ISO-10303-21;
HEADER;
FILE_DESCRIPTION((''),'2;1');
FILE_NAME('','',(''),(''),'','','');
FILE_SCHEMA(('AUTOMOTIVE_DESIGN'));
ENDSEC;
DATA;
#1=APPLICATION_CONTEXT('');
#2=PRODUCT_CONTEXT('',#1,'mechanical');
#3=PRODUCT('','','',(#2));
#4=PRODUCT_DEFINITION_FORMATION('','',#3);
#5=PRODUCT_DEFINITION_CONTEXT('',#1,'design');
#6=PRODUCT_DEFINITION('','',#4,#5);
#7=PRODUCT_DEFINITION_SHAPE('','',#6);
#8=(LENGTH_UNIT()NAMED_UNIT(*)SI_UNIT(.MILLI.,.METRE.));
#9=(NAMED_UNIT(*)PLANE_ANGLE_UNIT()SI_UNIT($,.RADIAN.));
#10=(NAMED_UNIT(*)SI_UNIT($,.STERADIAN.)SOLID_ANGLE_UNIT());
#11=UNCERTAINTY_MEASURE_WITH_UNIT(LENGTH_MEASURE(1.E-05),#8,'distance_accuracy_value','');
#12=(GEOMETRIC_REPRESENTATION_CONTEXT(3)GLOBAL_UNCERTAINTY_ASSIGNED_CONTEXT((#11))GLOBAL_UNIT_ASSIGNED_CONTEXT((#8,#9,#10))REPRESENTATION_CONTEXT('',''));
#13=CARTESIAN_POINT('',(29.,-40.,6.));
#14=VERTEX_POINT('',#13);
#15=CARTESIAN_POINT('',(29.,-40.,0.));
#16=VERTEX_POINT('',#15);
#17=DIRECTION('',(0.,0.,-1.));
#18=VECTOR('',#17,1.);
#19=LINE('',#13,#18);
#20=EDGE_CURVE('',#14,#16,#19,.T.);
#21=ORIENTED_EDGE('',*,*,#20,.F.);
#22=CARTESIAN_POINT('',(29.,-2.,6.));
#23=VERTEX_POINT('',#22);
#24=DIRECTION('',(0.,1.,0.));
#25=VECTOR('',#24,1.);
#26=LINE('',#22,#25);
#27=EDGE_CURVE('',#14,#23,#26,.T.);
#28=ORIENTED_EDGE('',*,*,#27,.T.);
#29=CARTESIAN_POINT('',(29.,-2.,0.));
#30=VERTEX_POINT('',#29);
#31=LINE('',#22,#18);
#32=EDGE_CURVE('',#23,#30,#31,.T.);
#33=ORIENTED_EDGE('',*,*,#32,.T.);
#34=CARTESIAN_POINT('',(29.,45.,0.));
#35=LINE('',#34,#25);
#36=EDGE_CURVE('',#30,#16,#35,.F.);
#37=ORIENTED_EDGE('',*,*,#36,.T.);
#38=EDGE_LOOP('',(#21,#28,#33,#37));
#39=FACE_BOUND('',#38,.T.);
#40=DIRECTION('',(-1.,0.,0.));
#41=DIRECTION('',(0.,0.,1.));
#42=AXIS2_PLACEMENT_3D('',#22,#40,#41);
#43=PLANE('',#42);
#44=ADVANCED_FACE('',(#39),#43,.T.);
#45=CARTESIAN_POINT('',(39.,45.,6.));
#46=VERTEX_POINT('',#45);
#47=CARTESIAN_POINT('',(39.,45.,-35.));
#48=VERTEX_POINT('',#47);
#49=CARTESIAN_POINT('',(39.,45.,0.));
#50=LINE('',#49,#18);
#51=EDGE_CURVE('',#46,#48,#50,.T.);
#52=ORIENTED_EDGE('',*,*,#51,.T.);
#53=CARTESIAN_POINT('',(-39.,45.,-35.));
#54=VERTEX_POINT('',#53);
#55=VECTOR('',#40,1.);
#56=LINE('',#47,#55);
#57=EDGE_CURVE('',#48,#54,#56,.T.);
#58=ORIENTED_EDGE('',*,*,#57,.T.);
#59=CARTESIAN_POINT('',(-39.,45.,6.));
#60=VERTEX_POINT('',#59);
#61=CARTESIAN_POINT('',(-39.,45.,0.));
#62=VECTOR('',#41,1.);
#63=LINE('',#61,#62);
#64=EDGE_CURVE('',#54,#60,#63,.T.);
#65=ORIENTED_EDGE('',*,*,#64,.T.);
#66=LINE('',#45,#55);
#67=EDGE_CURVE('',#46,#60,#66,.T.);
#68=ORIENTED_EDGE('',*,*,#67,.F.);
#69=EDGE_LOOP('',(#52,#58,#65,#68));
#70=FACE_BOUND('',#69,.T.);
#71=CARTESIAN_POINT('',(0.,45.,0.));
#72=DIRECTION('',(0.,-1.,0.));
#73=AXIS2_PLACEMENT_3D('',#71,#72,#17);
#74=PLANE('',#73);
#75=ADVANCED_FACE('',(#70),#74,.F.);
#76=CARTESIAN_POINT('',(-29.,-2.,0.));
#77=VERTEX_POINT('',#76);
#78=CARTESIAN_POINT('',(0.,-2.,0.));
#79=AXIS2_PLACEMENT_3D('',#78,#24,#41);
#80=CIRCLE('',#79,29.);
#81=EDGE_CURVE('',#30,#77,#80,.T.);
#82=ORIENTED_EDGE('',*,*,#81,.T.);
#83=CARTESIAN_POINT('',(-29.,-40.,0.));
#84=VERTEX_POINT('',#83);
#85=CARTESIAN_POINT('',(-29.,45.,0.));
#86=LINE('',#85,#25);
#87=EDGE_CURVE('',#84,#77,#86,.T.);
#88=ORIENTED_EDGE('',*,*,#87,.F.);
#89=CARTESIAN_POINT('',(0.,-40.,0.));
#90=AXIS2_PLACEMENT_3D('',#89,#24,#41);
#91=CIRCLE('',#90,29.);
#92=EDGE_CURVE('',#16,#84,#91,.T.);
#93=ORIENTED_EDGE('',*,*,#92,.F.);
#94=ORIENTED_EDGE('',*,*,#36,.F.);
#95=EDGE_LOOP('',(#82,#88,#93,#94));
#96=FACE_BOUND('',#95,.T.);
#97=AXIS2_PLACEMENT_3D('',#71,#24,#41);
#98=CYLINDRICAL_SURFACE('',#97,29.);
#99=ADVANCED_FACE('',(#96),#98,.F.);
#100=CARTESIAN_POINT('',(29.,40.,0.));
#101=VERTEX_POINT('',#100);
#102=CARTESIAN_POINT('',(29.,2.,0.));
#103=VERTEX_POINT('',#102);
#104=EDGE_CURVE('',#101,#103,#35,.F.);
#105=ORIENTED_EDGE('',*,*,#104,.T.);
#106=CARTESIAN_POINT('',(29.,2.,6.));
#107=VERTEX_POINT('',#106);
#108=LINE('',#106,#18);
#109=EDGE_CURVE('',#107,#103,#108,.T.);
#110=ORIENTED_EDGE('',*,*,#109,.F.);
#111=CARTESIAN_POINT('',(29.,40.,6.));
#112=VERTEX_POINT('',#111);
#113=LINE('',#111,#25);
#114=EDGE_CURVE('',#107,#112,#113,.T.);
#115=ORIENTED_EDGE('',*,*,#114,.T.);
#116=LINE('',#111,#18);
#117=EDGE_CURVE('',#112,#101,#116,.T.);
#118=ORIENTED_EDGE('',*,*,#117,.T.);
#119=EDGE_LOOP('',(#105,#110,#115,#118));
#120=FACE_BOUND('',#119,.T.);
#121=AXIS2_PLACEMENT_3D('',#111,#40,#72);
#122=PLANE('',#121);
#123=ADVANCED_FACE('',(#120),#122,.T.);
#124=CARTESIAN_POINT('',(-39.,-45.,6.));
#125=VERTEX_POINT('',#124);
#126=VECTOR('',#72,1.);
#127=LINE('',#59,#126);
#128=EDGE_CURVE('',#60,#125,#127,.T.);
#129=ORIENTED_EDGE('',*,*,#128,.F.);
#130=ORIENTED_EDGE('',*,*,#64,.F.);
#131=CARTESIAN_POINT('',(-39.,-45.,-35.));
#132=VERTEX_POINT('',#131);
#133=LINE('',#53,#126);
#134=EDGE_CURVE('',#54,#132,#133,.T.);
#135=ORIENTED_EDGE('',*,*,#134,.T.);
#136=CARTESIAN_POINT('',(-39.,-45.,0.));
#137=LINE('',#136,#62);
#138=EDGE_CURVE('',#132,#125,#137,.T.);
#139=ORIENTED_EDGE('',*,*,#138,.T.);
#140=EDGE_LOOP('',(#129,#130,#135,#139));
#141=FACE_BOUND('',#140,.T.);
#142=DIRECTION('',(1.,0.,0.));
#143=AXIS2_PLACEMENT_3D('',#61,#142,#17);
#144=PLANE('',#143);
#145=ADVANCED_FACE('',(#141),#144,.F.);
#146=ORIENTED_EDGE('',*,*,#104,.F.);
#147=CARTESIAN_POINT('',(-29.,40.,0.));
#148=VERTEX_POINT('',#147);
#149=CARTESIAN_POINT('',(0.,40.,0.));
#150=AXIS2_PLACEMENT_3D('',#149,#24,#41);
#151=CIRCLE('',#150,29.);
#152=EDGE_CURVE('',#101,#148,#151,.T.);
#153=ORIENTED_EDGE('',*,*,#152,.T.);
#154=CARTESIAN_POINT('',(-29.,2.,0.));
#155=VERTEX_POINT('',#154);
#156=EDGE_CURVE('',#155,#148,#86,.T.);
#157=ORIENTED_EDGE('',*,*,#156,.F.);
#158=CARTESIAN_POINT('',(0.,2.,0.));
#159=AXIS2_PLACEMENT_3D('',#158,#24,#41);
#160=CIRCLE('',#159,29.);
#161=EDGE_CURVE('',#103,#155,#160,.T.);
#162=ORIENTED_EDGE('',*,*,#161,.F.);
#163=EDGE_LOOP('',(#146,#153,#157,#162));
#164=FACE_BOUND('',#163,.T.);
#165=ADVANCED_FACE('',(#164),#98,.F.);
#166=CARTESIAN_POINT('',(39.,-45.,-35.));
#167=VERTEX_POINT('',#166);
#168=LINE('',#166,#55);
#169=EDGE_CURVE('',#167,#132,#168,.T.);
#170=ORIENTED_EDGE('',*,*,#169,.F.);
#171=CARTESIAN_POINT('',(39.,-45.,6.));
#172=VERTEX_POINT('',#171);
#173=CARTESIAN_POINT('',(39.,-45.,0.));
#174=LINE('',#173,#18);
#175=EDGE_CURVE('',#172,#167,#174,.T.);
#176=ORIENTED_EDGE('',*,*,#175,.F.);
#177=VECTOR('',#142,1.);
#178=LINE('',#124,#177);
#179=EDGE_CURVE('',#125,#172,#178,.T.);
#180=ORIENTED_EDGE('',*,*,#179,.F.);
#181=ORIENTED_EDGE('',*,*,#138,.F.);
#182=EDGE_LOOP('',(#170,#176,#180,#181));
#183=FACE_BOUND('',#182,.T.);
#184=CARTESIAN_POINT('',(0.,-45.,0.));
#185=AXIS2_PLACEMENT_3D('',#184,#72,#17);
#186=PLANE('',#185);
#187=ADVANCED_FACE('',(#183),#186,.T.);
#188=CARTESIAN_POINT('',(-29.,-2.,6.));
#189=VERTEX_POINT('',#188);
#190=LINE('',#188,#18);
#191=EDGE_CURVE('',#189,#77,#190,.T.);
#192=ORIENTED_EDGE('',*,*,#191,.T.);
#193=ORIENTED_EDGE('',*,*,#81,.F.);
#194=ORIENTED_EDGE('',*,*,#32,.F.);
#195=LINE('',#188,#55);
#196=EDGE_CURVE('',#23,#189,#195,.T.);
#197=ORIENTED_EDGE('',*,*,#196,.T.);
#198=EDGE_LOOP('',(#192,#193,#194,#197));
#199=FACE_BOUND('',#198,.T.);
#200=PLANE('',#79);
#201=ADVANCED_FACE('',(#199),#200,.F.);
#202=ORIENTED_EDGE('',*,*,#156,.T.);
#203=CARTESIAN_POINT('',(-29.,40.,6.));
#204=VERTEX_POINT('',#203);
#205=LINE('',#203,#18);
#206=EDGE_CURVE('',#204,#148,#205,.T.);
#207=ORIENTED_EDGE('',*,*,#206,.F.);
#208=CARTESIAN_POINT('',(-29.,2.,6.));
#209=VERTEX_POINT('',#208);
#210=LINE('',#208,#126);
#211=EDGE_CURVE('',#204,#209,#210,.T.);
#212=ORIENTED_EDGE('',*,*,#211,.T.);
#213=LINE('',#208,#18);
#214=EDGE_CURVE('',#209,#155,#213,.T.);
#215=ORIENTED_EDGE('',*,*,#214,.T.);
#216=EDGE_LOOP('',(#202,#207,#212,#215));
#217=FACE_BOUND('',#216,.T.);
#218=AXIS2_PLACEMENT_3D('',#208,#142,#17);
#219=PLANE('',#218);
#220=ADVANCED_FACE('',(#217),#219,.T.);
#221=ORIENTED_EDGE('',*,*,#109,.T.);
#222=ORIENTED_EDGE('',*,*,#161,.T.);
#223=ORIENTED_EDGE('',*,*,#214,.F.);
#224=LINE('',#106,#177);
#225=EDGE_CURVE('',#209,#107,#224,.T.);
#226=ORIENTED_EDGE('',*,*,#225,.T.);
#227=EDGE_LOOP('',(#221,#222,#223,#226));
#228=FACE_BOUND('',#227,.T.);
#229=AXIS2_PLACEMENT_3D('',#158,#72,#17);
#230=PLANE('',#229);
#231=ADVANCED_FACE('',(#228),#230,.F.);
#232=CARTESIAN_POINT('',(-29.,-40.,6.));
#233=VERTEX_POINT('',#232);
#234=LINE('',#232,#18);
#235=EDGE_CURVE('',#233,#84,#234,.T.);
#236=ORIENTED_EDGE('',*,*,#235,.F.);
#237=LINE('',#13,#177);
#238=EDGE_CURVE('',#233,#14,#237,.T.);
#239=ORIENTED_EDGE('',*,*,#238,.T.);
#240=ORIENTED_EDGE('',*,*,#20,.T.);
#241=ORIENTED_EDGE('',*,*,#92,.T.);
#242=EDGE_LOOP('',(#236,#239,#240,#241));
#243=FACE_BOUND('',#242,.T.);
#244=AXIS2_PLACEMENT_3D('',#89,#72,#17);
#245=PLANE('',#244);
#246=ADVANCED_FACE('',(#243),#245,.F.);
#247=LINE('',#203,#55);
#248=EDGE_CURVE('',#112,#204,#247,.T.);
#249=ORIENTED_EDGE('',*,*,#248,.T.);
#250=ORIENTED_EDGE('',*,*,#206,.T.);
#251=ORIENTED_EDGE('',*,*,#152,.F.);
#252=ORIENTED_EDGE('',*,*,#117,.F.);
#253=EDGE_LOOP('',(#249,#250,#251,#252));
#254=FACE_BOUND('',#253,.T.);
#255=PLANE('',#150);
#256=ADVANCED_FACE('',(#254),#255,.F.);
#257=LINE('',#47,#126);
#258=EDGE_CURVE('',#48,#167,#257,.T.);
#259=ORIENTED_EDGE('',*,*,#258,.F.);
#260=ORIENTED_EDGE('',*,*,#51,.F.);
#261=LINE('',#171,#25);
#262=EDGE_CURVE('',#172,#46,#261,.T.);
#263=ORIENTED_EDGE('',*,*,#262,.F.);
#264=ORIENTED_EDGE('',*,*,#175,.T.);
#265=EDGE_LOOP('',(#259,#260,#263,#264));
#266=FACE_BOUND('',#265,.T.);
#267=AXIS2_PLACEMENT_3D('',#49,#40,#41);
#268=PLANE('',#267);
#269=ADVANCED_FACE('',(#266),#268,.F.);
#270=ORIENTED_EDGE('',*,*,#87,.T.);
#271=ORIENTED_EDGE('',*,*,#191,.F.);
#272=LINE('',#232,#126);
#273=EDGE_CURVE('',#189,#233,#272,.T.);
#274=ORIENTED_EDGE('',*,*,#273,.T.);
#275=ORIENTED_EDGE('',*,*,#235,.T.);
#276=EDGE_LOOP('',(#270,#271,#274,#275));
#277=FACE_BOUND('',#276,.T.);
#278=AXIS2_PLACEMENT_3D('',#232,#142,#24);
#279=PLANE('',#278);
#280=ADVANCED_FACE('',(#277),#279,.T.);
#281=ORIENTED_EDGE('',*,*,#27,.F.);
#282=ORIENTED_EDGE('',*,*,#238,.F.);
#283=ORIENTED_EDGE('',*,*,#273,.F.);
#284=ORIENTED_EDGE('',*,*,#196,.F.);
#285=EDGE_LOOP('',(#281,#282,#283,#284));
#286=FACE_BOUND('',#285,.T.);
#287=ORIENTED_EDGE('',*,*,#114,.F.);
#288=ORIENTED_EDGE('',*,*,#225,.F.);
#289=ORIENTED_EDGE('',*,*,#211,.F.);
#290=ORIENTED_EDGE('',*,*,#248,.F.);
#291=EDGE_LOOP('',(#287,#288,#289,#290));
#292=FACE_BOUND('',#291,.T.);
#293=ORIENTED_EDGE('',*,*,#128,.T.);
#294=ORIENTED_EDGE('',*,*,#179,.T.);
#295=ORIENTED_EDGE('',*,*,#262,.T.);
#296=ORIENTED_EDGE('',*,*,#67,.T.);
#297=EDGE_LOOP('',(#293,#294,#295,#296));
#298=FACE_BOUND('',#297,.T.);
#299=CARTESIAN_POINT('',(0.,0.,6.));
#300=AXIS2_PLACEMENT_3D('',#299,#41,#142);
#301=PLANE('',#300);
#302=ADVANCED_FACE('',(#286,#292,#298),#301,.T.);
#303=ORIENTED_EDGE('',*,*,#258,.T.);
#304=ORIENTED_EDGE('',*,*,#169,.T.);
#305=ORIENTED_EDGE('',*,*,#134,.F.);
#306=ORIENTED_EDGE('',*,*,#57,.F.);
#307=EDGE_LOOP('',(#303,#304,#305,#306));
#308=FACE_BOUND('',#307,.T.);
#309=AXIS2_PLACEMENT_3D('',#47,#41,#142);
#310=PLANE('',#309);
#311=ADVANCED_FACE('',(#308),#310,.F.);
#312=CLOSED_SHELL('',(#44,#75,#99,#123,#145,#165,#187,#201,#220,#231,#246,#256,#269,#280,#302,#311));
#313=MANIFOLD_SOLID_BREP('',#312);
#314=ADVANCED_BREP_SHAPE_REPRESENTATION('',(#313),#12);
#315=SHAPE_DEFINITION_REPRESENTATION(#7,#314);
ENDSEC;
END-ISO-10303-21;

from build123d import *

# Parameters (mm, degrees)
BOSS_EXTRUDE1_DEPTH = 45
SKETCH2_W           = 29
SKETCH2_H           = 38
SKETCH3_W           = 78
SKETCH3_H           = 90
SKETCH3_W_2         = 58
SKETCH3_H_2         = 38
BOSS_EXTRUDE2_DEPTH = 6


with BuildPart() as part:
    # Sketch1 → Boss-Extrude1 (new, symmetric)
    with BuildSketch(Plane(origin=(0, 0, 0), x_dir=(-1, 0, 0), z_dir=(0, 1, 0))):
        Polygon((39, 0), (29, 0), (-29, 0), (-39, 0), (-39, -35), (39, -35), align=None)
    extrude(amount=BOSS_EXTRUDE1_DEPTH, both=True)

    # Sketch2 → Cut-Revolve4 (revolve, cut)
    with BuildSketch(Plane.XY):
        with Locations((-14.5, -21)):
            Rectangle(SKETCH2_W, SKETCH2_H)
        with Locations((-14.5, 21)):
            Rectangle(SKETCH2_W, SKETCH2_H)
    revolve(axis=Axis((0, 45, 0), (0, -1, 0)), mode=Mode.SUBTRACT)

    # Sketch3 → Boss-Extrude2 (add)
    with BuildSketch(Plane.XY):
        Rectangle(SKETCH3_W, SKETCH3_H)
        with Locations((0, -21)):
            Rectangle(SKETCH3_W_2, SKETCH3_H_2, mode=Mode.SUBTRACT)
        with Locations((0, 21)):
            Rectangle(SKETCH3_W_2, SKETCH3_H_2, mode=Mode.SUBTRACT)
    extrude(amount=BOSS_EXTRUDE2_DEPTH)


solid = part.part
